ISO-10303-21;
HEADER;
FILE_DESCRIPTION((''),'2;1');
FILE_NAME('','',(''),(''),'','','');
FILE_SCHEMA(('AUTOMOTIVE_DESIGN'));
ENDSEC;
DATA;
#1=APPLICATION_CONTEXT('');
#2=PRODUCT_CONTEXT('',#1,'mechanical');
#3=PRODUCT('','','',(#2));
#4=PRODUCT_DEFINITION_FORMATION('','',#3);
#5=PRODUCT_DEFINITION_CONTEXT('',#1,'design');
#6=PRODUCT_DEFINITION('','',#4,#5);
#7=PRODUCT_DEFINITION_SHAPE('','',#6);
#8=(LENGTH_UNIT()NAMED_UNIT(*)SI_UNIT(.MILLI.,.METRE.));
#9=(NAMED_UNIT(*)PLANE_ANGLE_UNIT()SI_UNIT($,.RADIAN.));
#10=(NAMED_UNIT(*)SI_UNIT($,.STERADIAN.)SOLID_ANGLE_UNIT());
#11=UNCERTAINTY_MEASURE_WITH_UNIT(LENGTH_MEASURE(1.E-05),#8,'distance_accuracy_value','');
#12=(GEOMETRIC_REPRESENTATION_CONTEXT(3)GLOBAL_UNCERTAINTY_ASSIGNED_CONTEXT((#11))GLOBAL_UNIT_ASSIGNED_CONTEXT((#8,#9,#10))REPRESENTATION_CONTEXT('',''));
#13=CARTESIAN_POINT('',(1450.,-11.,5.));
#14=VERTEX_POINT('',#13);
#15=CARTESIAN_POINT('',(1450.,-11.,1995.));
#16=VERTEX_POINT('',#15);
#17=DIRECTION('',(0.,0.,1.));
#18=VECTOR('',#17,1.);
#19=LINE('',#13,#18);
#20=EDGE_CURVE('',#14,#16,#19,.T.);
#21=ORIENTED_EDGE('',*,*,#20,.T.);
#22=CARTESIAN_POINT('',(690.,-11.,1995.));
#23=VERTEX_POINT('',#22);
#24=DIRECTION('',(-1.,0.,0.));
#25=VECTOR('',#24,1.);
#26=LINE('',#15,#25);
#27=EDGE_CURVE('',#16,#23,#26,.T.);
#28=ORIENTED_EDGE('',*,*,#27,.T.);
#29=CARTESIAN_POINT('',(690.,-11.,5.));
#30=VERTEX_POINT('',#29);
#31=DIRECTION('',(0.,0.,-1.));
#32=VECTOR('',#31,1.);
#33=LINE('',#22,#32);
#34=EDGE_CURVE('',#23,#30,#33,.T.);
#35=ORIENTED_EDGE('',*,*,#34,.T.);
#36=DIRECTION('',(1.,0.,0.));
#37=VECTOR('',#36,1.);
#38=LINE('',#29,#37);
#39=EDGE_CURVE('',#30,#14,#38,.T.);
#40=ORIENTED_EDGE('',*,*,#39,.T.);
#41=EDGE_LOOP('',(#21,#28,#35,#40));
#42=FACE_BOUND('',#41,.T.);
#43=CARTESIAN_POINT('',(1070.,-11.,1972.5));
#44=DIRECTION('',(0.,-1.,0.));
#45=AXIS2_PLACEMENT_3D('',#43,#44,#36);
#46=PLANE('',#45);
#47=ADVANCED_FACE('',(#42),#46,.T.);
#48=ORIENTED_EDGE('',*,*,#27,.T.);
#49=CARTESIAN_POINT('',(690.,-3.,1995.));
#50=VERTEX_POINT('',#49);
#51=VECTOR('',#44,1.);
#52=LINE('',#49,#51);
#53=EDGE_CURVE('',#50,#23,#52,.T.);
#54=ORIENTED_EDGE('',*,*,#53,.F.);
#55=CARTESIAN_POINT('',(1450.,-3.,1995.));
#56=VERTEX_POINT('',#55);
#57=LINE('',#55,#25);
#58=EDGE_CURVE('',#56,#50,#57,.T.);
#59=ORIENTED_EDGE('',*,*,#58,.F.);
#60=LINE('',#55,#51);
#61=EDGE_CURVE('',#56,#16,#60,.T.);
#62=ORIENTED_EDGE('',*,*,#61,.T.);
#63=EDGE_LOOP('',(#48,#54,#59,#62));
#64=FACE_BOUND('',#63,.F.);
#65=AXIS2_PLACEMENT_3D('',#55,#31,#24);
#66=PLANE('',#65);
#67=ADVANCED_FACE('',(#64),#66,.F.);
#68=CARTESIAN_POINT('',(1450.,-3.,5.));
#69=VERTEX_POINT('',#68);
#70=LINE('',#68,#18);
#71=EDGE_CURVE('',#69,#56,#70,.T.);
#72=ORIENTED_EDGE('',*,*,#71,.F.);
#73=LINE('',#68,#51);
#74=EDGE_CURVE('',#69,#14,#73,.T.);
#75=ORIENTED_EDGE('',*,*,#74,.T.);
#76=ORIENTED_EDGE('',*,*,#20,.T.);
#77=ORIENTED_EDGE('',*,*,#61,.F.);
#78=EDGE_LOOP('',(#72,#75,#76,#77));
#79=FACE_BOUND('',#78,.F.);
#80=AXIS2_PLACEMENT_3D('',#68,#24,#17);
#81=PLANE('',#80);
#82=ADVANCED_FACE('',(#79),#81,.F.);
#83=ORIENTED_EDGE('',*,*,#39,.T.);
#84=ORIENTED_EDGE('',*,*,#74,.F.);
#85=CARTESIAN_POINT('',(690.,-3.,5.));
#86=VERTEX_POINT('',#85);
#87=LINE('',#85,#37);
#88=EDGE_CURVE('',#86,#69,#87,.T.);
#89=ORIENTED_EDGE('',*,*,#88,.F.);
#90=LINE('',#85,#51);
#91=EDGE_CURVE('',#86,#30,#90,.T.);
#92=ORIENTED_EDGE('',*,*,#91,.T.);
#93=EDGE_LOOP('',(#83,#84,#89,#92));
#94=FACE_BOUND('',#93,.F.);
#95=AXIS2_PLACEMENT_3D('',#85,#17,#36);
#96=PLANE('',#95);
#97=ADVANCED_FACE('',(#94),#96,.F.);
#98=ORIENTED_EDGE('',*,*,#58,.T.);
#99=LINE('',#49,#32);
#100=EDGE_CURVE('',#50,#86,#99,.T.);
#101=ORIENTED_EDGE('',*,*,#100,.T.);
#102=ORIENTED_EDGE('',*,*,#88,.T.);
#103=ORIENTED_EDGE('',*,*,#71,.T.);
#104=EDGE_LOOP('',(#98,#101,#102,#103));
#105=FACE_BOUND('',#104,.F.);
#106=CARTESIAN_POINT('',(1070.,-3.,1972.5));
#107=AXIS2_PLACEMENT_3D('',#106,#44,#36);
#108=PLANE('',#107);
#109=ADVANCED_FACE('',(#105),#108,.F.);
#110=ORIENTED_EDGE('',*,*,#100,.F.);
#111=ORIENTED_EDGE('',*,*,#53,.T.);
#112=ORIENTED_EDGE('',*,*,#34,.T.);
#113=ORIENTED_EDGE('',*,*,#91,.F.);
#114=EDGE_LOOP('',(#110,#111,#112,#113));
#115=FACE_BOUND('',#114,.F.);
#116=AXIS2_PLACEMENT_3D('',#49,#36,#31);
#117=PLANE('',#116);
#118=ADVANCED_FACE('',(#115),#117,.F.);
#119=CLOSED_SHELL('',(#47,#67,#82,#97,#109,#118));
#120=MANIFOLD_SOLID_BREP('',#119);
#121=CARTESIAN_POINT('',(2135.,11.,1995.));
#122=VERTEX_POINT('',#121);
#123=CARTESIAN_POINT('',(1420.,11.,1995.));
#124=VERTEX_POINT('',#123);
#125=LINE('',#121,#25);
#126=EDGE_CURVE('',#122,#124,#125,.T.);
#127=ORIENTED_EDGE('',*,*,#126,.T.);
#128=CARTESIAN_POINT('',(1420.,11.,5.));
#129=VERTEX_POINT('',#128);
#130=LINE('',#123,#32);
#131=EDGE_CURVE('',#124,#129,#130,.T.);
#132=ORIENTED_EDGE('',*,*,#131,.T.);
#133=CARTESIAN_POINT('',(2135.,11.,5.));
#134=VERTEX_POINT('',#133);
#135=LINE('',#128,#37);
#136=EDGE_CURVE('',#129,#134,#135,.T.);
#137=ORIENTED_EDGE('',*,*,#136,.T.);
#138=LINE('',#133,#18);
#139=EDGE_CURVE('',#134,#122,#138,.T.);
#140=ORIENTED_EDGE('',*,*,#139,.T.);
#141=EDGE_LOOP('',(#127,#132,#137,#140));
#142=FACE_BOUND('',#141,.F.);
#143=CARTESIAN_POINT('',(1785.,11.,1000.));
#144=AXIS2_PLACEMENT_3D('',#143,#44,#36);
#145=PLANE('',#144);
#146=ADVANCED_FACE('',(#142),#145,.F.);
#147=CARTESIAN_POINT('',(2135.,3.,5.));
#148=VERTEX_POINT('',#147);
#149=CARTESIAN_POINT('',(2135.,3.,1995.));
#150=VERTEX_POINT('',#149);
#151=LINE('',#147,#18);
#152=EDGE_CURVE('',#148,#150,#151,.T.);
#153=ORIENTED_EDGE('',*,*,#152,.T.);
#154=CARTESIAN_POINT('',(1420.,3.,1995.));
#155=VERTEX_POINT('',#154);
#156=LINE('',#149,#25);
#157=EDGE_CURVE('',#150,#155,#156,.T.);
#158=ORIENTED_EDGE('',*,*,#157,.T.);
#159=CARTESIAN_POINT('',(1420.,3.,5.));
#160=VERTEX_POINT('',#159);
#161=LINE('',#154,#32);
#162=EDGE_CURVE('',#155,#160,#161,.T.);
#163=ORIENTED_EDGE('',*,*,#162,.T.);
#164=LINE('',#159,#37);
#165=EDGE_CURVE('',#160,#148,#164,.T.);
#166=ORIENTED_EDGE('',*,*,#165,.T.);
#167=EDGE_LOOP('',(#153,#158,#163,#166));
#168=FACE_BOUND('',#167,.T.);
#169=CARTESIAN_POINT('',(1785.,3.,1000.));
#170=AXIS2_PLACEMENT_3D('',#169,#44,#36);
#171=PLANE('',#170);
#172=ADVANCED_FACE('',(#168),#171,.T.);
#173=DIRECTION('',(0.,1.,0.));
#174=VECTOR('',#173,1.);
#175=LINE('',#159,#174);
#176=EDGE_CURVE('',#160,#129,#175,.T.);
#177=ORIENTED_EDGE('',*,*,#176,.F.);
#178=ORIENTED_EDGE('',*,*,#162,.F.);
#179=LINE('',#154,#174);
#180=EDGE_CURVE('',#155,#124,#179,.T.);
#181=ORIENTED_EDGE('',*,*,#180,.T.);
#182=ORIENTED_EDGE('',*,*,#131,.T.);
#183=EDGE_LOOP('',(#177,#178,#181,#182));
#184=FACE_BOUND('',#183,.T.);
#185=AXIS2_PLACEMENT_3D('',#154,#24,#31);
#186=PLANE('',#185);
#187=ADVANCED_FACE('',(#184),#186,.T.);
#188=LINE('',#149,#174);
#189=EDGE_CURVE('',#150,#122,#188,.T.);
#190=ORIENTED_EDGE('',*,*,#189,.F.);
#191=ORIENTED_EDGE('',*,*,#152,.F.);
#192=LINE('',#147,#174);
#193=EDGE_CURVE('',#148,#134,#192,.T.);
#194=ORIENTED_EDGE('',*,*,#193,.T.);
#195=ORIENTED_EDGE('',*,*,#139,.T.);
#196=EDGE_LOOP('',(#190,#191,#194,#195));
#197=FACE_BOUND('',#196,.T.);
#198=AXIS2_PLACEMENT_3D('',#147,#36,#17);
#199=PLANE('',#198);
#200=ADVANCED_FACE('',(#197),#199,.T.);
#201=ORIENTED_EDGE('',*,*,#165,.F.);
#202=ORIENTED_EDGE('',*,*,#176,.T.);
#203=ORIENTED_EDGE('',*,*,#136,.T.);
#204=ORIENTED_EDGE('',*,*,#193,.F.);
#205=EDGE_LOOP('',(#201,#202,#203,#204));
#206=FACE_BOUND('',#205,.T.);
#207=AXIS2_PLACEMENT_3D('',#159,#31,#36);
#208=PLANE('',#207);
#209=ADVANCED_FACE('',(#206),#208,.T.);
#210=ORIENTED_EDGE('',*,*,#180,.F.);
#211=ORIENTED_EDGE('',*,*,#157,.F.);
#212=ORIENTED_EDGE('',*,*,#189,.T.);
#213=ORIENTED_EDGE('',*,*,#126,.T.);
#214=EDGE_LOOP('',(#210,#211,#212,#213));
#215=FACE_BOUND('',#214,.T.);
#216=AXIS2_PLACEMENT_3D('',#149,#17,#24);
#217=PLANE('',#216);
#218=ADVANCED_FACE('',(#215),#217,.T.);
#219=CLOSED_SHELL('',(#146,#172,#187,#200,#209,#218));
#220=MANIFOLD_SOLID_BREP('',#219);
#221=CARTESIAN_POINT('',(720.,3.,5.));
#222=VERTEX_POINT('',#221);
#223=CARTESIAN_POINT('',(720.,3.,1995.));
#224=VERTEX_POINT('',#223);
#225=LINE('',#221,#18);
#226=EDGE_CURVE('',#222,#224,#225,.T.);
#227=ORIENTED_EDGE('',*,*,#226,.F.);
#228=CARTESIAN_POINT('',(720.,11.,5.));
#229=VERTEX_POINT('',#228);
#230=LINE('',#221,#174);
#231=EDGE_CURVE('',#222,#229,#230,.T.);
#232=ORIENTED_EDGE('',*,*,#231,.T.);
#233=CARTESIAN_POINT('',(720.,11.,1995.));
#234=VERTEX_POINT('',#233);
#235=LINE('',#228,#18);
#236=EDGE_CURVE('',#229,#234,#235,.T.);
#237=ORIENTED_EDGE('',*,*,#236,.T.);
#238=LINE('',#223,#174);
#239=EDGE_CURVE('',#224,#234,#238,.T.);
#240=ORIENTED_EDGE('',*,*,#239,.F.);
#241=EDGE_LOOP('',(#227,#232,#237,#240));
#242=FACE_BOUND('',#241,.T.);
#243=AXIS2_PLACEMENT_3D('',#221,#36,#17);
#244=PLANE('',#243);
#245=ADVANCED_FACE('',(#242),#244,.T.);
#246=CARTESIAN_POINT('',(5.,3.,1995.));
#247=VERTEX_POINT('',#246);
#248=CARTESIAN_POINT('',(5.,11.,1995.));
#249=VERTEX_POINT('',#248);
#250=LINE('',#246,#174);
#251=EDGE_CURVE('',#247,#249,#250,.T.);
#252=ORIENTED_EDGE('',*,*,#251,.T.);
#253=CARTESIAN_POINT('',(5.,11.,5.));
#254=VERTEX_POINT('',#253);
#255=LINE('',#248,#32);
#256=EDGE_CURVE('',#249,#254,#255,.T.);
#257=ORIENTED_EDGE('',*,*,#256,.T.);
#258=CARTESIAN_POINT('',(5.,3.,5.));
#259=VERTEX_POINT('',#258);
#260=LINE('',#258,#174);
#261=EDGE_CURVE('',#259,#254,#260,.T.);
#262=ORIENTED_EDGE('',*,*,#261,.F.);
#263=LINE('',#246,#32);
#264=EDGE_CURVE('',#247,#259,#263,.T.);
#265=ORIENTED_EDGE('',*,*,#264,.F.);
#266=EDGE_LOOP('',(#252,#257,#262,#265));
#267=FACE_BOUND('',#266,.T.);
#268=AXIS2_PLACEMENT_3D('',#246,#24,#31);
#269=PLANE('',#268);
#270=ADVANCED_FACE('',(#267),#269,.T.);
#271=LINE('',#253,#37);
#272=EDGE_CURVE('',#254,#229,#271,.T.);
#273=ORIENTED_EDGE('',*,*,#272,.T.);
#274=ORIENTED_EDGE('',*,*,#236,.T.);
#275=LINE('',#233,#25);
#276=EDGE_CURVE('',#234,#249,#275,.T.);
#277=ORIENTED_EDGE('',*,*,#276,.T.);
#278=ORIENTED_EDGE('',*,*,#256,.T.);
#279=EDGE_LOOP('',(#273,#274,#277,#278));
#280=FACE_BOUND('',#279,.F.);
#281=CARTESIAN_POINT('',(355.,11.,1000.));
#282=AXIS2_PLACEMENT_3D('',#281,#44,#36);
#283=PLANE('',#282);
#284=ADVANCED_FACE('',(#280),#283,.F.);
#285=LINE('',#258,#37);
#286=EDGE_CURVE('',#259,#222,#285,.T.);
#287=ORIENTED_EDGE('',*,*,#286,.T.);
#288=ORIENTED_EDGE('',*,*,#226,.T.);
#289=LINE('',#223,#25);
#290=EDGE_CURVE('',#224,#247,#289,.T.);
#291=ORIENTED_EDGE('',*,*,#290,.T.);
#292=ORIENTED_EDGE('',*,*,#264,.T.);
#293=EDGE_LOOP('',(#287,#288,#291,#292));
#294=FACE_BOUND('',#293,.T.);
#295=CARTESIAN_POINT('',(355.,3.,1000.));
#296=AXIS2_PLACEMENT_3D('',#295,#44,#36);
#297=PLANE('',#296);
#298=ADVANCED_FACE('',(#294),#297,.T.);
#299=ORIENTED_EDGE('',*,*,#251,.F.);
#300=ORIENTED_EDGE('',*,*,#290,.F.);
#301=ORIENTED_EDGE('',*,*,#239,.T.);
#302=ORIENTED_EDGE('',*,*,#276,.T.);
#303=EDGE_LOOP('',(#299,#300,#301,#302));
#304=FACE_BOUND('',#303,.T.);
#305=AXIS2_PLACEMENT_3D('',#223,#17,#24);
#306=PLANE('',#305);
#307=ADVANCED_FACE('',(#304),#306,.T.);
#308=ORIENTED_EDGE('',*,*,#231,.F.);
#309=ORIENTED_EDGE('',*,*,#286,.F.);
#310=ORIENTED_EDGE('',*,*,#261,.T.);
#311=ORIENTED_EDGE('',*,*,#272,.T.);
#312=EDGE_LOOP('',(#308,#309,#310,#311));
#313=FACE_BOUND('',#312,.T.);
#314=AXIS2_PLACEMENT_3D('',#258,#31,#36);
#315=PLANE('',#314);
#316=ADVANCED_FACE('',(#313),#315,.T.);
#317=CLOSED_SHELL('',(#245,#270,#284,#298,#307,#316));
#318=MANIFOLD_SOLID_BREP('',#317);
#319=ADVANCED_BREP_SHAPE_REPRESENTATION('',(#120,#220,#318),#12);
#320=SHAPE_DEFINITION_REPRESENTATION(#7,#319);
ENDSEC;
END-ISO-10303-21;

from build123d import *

# Parameters (mm, degrees)
F1_START = -3
F0_W     = 670
F0_H     = 1900
F0_W_2   = 30
F0_H_2   = 45
F1_DEPTH = 8
F2_START = 3
F0_W_3   = 700
F2_DEPTH = 8


with BuildPart() as f1:
    # F0 (on Front) → F1 (new body)
    with BuildSketch(Plane.XZ.offset(F1_START)):
        with Locations((355, 1000)):
            Rectangle(F0_W, F0_H)
        Polygon((690, 1995), (5, 1995), (5, 5), (690, 5), (690, 50), (20, 50), (20, 1950), (690, 1950), align=None)
        with Locations((705, 1972.5)):
            Rectangle(F0_W_2, F0_H_2)
        with Locations((705, 1000)):
            Rectangle(F0_W_2, F0_H)
        with Locations((705, 27.5)):
            Rectangle(F0_W_2, F0_H_2)
    extrude(amount=-F1_DEPTH)


with BuildPart() as f1b:
    # F0 (on Front) → F1, piece 2 (new body)
    with BuildSketch(Plane.XZ.offset(F1_START)):
        with Locations((1785, 1000)):
            Rectangle(F0_W, F0_H)
        Polygon((2135, 1995), (1450, 1995), (1450, 1950), (2120, 1950), (2120, 50), (1450, 50), (1450, 5), (2135, 5), align=None)
        with Locations((1435, 1972.5)):
            Rectangle(F0_W_2, F0_H_2)
        with Locations((1435, 1000)):
            Rectangle(F0_W_2, F0_H)
        with Locations((1435, 27.5)):
            Rectangle(F0_W_2, F0_H_2)
    extrude(amount=-F1_DEPTH)


with BuildPart() as f2:
    # F0 (on Front) → F2 (new body)
    with BuildSketch(Plane.XZ.offset(F2_START)):
        with Locations((1070, 1972.5)):
            Rectangle(F0_W_3, F0_H_2)
        with Locations((1070, 1000)):
            Rectangle(F0_W_3, F0_H)
        with Locations((1435, 1972.5)):
            Rectangle(F0_W_2, F0_H_2)
        with Locations((1435, 1000)):
            Rectangle(F0_W_2, F0_H)
        with Locations((705, 1972.5)):
            Rectangle(F0_W_2, F0_H_2)
        with Locations((705, 1000)):
            Rectangle(F0_W_2, F0_H)
        with Locations((705, 27.5)):
            Rectangle(F0_W_2, F0_H_2)
        with Locations((1070, 27.5)):
            Rectangle(F0_W_3, F0_H_2)
        with Locations((1435, 27.5)):
            Rectangle(F0_W_2, F0_H_2)
    extrude(amount=F2_DEPTH)


solid = Compound([f1.part, f1b.part, f2.part])
